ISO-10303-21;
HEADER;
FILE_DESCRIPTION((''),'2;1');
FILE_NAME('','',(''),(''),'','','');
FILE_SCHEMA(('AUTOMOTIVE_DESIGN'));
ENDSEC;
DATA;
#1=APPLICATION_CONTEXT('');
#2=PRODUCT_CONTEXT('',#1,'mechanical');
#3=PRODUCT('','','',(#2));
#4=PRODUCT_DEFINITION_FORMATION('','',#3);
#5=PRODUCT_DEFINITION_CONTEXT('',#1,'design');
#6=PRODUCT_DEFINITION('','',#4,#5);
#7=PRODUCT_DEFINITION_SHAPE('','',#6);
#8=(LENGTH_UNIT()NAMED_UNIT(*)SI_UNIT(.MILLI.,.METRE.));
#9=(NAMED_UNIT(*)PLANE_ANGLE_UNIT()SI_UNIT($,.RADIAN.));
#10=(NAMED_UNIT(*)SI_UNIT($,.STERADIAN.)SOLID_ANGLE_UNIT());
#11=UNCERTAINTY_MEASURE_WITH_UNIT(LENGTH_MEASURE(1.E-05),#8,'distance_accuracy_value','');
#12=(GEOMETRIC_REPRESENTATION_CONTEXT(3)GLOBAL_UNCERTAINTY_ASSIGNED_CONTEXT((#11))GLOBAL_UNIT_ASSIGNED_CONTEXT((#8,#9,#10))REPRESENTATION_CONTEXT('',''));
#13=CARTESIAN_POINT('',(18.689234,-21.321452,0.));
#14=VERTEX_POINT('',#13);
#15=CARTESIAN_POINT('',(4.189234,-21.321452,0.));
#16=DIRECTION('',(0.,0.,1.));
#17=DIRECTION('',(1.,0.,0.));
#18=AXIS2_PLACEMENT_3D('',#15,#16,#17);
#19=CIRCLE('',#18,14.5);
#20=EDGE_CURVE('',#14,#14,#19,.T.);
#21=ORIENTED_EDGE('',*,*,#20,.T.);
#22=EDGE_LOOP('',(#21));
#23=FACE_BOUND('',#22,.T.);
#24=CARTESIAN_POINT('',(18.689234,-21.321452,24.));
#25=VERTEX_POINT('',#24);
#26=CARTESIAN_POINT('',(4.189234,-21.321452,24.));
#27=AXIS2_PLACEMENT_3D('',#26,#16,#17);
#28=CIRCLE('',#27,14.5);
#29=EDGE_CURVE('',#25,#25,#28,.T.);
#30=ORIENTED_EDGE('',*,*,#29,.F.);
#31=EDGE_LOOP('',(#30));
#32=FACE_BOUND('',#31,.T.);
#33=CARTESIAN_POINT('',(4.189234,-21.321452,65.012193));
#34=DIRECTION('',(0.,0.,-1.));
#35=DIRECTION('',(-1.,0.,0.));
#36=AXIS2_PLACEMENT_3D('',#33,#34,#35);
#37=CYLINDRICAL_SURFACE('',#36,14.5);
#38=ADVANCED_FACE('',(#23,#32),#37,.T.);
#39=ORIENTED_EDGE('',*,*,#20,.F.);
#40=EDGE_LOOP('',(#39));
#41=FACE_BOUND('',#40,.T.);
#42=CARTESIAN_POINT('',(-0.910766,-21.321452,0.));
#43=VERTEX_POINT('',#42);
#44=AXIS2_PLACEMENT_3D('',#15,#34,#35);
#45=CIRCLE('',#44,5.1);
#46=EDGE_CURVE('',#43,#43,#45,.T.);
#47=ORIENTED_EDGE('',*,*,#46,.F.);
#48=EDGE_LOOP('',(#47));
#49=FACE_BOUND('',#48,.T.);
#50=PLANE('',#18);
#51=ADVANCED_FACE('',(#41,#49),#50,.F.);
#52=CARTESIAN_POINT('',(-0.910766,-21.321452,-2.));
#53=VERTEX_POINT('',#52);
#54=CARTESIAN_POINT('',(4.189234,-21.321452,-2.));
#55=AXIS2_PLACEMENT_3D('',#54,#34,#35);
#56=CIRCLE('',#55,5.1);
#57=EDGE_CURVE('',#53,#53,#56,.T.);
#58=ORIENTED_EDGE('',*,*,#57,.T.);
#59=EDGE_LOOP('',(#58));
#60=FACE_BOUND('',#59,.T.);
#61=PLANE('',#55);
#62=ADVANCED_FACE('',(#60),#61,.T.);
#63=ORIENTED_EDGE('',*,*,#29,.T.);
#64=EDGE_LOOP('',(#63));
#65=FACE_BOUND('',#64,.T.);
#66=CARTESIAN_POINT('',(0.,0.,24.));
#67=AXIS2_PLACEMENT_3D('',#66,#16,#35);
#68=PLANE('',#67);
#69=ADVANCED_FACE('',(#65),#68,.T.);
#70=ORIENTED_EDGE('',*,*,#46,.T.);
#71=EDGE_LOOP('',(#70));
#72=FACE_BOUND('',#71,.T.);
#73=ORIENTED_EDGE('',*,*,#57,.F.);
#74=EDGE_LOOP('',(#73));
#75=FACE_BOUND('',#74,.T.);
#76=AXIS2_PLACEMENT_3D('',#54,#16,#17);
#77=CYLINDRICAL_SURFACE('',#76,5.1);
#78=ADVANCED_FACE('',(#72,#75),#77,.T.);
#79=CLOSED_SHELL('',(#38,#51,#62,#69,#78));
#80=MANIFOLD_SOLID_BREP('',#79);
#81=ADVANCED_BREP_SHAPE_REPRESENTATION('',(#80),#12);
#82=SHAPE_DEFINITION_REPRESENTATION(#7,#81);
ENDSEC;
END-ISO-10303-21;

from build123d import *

# Parameters (mm, degrees)
SCHIZZO1_R                   = 14.5
ESTRUSIONE_ESTRUSIONE1_DEPTH = 24
SCHIZZO2_R                   = 5.1
ESTRUSIONE_ESTRUSIONE2_DEPTH = 2


with BuildPart() as part:
    # Schizzo1 → Estrusione-Estrusione1 (new body)
    with BuildSketch(Plane.XY):
        with Locations((4.189233611, -21.321452148)):
            Circle(SCHIZZO1_R)
    extrude(amount=ESTRUSIONE_ESTRUSIONE1_DEPTH)

    # Schizzo2 → Estrusione-Estrusione2 (add)
    with BuildSketch(Plane(origin=(0, 0, 0), x_dir=(-1, 0, 0), z_dir=(0, 0, -1))):
        with Locations((-4.189233611, -21.321452148)):
            Circle(SCHIZZO2_R)
    extrude(amount=ESTRUSIONE_ESTRUSIONE2_DEPTH)


solid = part.part
